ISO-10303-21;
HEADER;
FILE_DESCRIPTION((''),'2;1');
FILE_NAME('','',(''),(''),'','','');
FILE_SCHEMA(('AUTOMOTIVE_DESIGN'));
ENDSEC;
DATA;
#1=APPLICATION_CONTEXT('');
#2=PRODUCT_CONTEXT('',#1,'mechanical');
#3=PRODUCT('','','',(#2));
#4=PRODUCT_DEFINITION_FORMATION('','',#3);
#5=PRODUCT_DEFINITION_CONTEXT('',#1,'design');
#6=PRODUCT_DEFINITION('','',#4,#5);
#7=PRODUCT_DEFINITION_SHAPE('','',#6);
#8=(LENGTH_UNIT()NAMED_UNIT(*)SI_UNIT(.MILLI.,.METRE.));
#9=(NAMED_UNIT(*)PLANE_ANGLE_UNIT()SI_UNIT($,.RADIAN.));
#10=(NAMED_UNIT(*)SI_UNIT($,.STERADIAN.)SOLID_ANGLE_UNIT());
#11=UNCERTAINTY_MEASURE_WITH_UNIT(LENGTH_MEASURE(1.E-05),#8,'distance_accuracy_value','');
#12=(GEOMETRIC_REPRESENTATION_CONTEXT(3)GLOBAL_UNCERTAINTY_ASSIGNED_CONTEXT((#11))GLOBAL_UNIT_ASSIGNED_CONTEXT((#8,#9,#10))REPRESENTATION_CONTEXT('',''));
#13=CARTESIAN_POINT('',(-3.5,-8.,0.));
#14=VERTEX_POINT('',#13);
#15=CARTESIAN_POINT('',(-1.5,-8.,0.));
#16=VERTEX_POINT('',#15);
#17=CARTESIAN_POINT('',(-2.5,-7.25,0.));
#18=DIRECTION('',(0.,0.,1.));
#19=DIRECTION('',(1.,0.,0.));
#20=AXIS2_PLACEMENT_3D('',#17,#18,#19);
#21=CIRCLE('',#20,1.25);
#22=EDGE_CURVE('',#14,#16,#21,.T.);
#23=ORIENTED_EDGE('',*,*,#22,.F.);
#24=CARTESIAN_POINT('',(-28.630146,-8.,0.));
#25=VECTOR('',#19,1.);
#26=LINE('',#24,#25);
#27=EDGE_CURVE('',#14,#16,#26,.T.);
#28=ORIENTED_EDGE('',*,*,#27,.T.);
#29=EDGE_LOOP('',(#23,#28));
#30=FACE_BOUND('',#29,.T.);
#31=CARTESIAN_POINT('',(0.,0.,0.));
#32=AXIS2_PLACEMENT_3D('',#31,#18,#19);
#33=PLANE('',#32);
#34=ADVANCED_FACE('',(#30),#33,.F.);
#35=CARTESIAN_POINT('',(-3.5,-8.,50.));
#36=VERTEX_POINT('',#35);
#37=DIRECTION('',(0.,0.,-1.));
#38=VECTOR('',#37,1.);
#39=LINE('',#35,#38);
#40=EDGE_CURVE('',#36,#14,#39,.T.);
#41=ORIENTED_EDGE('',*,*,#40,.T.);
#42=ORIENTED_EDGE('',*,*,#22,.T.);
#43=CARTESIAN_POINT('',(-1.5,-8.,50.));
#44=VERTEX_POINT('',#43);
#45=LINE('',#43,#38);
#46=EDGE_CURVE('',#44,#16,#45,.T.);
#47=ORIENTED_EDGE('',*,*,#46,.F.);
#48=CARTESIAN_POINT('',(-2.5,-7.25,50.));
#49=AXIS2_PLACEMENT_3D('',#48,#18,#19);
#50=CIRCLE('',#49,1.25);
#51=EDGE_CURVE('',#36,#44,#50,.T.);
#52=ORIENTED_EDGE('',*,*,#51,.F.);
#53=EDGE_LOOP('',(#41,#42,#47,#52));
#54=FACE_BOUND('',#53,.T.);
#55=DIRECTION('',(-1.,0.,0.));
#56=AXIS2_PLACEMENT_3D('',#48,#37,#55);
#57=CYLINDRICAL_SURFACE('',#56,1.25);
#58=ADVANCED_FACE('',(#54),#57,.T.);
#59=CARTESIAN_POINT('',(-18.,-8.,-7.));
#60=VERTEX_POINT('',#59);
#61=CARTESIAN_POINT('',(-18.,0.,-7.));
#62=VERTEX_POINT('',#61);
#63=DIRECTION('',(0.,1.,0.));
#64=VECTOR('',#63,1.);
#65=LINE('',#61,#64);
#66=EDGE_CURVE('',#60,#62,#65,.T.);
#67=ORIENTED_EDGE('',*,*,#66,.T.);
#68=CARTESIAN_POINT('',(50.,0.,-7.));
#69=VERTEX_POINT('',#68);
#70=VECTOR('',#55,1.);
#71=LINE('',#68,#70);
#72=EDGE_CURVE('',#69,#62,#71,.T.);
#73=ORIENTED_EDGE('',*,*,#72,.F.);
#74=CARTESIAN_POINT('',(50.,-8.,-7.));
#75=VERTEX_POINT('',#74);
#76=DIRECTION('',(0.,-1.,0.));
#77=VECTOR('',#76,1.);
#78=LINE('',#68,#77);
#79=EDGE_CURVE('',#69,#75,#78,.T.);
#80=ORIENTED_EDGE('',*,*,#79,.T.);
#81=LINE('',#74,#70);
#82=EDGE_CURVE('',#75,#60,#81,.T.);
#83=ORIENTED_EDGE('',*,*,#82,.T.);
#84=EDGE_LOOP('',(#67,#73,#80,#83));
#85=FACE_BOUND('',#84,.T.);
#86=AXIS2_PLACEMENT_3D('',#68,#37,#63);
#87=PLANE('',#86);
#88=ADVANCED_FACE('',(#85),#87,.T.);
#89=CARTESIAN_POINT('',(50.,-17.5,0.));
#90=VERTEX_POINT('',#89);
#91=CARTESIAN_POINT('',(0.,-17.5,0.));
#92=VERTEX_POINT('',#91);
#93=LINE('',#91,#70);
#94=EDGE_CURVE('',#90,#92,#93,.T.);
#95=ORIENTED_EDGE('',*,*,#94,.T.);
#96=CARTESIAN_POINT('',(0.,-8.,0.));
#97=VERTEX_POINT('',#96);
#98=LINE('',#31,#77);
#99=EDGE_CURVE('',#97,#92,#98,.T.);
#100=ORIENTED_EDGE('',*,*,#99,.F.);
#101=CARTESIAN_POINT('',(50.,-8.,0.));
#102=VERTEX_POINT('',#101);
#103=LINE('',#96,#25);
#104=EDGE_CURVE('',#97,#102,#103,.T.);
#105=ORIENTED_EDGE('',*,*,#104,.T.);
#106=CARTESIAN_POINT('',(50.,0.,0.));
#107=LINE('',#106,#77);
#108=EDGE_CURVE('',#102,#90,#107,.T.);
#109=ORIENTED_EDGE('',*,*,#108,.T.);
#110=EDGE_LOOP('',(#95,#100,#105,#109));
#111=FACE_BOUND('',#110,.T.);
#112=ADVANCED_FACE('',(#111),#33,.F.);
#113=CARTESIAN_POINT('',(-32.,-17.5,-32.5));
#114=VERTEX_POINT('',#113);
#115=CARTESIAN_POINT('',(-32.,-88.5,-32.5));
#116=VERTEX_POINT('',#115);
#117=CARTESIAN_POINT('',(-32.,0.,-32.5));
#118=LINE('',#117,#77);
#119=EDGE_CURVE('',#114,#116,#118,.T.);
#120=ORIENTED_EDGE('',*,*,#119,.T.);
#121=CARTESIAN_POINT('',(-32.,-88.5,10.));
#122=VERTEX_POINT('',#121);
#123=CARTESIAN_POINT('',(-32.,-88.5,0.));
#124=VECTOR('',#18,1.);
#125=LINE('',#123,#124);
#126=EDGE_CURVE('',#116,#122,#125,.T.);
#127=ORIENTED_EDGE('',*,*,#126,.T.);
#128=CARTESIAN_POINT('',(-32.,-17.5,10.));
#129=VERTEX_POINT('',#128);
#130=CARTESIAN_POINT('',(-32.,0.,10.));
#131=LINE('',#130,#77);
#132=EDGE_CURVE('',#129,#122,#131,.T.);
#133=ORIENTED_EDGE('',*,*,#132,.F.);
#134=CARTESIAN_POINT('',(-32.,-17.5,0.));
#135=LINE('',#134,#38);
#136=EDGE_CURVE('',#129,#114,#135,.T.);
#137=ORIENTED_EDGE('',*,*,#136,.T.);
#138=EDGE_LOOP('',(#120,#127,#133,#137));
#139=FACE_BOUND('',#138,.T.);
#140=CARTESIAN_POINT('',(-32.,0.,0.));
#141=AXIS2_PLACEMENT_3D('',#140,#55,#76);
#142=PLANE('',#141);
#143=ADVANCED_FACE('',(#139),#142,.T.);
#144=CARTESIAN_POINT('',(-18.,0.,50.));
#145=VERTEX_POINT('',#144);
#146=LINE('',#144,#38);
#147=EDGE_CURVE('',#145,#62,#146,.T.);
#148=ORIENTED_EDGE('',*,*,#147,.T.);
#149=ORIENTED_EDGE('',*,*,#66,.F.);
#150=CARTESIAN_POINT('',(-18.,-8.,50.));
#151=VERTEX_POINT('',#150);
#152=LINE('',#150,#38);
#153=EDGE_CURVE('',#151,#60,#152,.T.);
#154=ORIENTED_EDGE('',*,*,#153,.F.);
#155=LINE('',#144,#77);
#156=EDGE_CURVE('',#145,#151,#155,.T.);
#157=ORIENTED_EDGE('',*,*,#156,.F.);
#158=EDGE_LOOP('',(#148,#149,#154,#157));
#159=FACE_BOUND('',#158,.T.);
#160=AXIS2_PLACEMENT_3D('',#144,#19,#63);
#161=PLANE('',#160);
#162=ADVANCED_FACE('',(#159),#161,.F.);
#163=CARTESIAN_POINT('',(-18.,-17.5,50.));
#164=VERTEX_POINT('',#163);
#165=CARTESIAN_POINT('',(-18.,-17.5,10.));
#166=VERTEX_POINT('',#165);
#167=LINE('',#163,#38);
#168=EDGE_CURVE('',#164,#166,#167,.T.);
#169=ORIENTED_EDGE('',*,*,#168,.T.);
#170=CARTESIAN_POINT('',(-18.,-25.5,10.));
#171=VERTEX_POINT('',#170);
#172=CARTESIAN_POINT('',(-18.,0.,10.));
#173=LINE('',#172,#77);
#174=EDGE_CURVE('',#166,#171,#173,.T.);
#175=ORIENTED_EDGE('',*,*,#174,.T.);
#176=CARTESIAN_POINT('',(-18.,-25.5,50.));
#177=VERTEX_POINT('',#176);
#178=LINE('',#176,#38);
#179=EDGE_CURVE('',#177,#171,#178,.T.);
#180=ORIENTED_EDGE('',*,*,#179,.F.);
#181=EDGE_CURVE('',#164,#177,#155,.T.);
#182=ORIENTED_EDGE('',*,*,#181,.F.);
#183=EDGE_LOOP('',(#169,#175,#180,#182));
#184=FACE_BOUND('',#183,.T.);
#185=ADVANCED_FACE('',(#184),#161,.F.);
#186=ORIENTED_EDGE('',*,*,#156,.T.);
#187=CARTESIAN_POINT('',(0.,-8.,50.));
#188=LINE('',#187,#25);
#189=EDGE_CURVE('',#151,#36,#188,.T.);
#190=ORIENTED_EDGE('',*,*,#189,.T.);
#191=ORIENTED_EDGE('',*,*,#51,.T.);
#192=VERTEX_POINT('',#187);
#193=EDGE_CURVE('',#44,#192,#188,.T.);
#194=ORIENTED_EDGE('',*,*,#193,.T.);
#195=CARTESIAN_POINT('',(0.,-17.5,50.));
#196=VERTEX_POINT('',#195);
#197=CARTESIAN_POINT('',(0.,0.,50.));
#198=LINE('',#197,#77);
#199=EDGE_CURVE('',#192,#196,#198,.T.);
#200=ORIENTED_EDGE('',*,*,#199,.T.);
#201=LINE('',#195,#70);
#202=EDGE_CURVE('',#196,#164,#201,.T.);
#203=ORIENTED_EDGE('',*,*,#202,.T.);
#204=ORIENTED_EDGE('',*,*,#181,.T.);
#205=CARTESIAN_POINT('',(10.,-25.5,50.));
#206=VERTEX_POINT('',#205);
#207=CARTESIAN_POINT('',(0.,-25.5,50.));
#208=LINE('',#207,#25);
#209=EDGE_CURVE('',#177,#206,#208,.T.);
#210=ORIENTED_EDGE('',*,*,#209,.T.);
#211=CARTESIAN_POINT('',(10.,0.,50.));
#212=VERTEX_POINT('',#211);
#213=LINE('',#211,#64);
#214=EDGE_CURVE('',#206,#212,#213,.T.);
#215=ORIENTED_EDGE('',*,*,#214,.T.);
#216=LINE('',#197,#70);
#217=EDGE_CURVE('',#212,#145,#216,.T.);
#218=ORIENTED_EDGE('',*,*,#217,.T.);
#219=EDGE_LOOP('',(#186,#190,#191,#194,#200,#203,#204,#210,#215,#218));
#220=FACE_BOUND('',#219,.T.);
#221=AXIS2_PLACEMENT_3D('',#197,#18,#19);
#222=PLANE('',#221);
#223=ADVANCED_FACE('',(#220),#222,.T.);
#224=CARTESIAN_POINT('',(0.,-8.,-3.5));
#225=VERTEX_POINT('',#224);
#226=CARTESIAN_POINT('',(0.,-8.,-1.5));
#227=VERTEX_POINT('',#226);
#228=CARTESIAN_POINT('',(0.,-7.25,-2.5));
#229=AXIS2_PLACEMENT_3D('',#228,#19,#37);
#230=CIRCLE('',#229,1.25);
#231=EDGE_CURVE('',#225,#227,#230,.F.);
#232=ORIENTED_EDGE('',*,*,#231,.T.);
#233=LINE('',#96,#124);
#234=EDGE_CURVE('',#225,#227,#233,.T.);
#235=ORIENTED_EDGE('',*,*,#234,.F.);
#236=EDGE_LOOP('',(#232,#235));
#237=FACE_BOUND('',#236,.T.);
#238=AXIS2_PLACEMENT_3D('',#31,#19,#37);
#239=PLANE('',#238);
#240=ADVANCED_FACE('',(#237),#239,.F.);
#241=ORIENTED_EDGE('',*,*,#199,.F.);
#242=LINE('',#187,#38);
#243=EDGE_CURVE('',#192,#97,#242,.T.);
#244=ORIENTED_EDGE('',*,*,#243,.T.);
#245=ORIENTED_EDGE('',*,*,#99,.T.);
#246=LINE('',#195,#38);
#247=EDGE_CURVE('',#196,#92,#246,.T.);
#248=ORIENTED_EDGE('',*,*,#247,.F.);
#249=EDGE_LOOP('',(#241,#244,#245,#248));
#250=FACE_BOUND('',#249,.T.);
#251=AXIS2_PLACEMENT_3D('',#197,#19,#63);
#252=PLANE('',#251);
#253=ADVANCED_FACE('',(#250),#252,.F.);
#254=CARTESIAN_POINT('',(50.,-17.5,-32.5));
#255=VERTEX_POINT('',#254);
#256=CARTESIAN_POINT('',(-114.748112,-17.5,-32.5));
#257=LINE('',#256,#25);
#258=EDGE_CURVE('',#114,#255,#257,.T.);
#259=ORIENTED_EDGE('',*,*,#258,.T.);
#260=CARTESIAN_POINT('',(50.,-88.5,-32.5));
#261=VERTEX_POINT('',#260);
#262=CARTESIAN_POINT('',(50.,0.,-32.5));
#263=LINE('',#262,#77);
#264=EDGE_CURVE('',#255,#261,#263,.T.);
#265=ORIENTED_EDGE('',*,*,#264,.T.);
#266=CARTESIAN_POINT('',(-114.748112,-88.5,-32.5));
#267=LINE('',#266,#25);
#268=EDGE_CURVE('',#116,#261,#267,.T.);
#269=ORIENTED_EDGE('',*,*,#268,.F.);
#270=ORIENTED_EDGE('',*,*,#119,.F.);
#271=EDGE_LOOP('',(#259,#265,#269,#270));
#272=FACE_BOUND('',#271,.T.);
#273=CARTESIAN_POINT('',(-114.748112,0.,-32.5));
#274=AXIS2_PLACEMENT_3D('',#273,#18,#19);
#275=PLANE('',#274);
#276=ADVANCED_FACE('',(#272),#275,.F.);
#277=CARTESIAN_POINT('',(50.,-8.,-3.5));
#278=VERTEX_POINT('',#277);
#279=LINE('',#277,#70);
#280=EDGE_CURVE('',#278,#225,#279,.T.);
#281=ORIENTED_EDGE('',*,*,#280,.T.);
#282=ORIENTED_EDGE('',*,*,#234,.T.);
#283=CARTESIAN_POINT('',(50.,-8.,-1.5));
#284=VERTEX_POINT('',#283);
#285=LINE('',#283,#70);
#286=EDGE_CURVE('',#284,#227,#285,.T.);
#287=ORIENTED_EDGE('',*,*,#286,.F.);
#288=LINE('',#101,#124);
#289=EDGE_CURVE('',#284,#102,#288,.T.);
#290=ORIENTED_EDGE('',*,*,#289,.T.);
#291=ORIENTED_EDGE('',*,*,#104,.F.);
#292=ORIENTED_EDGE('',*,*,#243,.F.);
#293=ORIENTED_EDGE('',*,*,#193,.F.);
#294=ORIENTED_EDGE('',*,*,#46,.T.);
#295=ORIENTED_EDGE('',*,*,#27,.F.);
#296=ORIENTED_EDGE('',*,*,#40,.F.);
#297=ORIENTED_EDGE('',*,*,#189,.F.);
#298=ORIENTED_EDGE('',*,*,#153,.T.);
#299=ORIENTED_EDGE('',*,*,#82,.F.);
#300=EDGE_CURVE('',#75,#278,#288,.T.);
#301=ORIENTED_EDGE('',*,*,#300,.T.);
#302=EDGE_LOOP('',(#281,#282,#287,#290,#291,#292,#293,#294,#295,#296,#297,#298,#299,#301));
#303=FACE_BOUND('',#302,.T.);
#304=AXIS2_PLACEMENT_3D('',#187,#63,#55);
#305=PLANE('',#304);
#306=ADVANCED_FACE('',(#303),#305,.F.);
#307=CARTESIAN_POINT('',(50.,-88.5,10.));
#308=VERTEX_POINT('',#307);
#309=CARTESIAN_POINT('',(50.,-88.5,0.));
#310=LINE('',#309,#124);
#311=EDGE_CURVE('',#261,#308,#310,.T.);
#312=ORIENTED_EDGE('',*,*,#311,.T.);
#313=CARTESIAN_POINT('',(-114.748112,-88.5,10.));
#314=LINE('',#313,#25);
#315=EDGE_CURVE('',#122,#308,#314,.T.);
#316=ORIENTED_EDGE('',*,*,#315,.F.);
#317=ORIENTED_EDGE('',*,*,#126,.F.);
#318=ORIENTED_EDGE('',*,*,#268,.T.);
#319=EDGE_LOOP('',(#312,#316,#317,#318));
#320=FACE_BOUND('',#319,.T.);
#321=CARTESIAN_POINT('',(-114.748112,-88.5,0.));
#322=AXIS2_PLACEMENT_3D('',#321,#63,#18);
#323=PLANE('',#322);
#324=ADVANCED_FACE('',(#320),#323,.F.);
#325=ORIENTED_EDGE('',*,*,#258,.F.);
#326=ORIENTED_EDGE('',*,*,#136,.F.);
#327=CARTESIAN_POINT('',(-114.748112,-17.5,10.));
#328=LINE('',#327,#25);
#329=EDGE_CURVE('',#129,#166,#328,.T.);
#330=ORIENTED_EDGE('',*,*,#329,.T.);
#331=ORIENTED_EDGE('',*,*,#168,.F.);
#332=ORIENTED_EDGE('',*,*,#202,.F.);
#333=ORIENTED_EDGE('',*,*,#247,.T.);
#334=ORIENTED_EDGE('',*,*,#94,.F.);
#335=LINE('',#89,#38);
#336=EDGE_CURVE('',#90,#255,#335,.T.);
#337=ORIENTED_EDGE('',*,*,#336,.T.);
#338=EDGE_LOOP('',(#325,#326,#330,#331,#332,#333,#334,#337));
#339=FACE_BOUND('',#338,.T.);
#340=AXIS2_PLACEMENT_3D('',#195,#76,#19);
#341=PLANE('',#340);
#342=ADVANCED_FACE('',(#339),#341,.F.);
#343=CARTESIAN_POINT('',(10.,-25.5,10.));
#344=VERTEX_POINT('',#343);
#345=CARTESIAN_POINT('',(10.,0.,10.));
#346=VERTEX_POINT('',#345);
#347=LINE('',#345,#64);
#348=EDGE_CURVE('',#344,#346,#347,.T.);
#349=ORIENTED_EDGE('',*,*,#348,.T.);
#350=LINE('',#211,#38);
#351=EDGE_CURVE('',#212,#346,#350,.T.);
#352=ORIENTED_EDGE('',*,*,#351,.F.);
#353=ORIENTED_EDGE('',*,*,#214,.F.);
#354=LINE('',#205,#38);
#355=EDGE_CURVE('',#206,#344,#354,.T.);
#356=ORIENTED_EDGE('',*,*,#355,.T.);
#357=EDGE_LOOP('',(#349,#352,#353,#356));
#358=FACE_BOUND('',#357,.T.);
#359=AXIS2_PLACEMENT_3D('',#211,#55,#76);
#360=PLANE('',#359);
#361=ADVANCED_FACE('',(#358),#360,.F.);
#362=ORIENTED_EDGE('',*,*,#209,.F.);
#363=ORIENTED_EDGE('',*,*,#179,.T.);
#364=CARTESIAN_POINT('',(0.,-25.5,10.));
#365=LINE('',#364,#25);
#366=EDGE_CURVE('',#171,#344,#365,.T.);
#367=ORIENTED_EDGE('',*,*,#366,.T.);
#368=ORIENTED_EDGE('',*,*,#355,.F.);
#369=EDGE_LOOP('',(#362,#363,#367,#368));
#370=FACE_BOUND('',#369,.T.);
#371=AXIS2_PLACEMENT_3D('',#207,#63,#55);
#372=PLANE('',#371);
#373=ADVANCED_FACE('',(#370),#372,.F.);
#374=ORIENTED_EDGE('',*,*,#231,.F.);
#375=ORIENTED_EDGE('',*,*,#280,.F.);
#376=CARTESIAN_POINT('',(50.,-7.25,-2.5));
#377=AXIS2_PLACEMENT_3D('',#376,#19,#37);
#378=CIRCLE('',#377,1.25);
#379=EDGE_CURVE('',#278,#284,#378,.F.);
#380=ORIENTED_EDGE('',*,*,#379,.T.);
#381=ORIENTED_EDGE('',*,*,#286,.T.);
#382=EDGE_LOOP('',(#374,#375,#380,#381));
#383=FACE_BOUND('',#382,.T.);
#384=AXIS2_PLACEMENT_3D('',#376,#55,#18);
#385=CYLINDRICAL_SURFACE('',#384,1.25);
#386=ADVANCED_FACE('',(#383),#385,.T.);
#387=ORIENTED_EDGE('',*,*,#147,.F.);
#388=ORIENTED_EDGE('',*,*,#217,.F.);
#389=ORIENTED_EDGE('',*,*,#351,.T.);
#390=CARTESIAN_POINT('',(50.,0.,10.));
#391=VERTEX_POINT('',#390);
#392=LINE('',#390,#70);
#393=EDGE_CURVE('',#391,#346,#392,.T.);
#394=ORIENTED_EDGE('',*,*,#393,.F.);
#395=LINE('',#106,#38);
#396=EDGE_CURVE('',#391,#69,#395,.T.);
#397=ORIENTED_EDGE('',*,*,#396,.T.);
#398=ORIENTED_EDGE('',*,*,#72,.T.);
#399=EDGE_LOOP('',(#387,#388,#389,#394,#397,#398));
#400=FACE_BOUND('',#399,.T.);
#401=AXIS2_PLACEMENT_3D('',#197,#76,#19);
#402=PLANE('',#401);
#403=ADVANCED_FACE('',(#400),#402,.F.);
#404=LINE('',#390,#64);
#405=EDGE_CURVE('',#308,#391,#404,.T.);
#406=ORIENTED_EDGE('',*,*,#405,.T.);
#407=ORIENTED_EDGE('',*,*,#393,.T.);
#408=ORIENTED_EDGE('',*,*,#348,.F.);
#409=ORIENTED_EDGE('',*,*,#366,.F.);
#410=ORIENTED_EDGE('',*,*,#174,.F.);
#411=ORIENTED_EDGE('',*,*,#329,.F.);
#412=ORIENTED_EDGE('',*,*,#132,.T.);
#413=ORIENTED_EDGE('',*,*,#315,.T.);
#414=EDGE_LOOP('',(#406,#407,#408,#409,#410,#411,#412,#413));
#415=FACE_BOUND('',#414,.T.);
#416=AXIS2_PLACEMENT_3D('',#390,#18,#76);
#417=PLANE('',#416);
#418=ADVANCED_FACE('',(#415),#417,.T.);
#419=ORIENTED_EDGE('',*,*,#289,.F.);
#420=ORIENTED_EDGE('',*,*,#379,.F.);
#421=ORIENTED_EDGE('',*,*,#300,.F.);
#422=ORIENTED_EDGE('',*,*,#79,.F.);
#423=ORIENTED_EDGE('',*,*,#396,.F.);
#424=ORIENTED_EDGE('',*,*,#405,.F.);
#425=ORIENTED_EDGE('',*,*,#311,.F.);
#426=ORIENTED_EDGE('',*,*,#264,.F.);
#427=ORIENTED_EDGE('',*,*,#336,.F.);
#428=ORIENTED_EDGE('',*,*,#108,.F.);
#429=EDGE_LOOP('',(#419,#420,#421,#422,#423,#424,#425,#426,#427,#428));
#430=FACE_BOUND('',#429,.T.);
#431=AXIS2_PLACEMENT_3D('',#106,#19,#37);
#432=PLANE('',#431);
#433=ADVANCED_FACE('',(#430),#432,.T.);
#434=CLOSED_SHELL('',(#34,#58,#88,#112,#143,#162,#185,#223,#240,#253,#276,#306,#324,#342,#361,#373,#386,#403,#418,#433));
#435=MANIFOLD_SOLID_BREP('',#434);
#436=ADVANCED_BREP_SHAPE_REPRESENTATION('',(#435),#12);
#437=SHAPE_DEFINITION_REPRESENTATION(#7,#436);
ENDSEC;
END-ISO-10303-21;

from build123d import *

# Parameters (mm, degrees)
BOSS_EXTRUDE1_DEPTH = 50
SKETCH2_W           = 7
SKETCH2_H           = 8
BOSS_EXTRUDE2_DEPTH = 50
SKETCH2_3_W         = 7
SKETCH2_3_H         = 8
BOSS_EXTRUDE3_DEPTH = 18
SKETCH3_W           = 10
SKETCH3_H           = 63
SKETCH3_W_2         = 7
SKETCH3_H_2         = 8
BOSS_EXTRUDE4_DEPTH = 82


with BuildPart() as part:
    # Sketch1 → Boss-Extrude1 (new body)
    with BuildSketch(Plane.XY):
        with BuildLine():
            Line((-1.5, -8), (-3.5, -8))
            ThreePointArc((-3.5, -8), (-2.5, -8.5), (-1.5, -8))
        make_face()
        Polygon((10, -25.5), (10, 0), (0, 0), (-18, 0), (-18, -8), (0, -8), (0, -17.5), (-18, -17.5), (-18, -25.5), align=None)
    extrude(amount=BOSS_EXTRUDE1_DEPTH)

    # Sketch2 → Boss-Extrude2 (add)
    with BuildSketch(Plane(origin=(0, 0, 0), x_dir=(0, 0, -1), z_dir=(1, 0, 0))):
        Polygon((7, 0), (0, 0), (0, -8), (1.5, -8), (3.5, -8), (7, -8), align=None)
        Polygon((0, -8), (0, 0), (-10, 0), (-10, -25.5), (0, -25.5), (0, -17.5), align=None)
        with Locations((3.5, -21.5)):
            Rectangle(SKETCH2_W, SKETCH2_H)
        with BuildLine():
            Line((3.5, -8), (1.5, -8))
            ThreePointArc((1.5, -8), (2.5, -8.5), (3.5, -8))
        make_face()
    extrude(amount=BOSS_EXTRUDE2_DEPTH)

    # Sketch2<3> → Boss-Extrude3 (add)
    with BuildSketch(Plane(origin=(0, 0, 0), x_dir=(0, 0, -1), z_dir=(1, 0, 0))):
        Polygon((7, 0), (0, 0), (0, -8), (1.5, -8), (3.5, -8), (7, -8), align=None)
        with Locations((3.5, -21.5)):
            Rectangle(SKETCH2_3_W, SKETCH2_3_H)
    extrude(amount=-BOSS_EXTRUDE3_DEPTH)

    # Sketch3 → Boss-Extrude4 (add)
    with BuildSketch(Plane(origin=(50, 0, 0), x_dir=(0, 0, -1), z_dir=(1, 0, 0))):
        Polygon((32.5, -17.5), (7, -17.5), (7, -25.5), (0, -25.5), (0, -88.5), (32.5, -88.5), align=None)
        with Locations((-5, -57)):
            Rectangle(SKETCH3_W, SKETCH3_H)
        with Locations((3.5, -21.5)):
            Rectangle(SKETCH3_W_2, SKETCH3_H_2)
        with Locations((-5, -21.5)):
            Rectangle(SKETCH3_W, SKETCH3_H_2)
    extrude(amount=-BOSS_EXTRUDE4_DEPTH)


solid = part.part
